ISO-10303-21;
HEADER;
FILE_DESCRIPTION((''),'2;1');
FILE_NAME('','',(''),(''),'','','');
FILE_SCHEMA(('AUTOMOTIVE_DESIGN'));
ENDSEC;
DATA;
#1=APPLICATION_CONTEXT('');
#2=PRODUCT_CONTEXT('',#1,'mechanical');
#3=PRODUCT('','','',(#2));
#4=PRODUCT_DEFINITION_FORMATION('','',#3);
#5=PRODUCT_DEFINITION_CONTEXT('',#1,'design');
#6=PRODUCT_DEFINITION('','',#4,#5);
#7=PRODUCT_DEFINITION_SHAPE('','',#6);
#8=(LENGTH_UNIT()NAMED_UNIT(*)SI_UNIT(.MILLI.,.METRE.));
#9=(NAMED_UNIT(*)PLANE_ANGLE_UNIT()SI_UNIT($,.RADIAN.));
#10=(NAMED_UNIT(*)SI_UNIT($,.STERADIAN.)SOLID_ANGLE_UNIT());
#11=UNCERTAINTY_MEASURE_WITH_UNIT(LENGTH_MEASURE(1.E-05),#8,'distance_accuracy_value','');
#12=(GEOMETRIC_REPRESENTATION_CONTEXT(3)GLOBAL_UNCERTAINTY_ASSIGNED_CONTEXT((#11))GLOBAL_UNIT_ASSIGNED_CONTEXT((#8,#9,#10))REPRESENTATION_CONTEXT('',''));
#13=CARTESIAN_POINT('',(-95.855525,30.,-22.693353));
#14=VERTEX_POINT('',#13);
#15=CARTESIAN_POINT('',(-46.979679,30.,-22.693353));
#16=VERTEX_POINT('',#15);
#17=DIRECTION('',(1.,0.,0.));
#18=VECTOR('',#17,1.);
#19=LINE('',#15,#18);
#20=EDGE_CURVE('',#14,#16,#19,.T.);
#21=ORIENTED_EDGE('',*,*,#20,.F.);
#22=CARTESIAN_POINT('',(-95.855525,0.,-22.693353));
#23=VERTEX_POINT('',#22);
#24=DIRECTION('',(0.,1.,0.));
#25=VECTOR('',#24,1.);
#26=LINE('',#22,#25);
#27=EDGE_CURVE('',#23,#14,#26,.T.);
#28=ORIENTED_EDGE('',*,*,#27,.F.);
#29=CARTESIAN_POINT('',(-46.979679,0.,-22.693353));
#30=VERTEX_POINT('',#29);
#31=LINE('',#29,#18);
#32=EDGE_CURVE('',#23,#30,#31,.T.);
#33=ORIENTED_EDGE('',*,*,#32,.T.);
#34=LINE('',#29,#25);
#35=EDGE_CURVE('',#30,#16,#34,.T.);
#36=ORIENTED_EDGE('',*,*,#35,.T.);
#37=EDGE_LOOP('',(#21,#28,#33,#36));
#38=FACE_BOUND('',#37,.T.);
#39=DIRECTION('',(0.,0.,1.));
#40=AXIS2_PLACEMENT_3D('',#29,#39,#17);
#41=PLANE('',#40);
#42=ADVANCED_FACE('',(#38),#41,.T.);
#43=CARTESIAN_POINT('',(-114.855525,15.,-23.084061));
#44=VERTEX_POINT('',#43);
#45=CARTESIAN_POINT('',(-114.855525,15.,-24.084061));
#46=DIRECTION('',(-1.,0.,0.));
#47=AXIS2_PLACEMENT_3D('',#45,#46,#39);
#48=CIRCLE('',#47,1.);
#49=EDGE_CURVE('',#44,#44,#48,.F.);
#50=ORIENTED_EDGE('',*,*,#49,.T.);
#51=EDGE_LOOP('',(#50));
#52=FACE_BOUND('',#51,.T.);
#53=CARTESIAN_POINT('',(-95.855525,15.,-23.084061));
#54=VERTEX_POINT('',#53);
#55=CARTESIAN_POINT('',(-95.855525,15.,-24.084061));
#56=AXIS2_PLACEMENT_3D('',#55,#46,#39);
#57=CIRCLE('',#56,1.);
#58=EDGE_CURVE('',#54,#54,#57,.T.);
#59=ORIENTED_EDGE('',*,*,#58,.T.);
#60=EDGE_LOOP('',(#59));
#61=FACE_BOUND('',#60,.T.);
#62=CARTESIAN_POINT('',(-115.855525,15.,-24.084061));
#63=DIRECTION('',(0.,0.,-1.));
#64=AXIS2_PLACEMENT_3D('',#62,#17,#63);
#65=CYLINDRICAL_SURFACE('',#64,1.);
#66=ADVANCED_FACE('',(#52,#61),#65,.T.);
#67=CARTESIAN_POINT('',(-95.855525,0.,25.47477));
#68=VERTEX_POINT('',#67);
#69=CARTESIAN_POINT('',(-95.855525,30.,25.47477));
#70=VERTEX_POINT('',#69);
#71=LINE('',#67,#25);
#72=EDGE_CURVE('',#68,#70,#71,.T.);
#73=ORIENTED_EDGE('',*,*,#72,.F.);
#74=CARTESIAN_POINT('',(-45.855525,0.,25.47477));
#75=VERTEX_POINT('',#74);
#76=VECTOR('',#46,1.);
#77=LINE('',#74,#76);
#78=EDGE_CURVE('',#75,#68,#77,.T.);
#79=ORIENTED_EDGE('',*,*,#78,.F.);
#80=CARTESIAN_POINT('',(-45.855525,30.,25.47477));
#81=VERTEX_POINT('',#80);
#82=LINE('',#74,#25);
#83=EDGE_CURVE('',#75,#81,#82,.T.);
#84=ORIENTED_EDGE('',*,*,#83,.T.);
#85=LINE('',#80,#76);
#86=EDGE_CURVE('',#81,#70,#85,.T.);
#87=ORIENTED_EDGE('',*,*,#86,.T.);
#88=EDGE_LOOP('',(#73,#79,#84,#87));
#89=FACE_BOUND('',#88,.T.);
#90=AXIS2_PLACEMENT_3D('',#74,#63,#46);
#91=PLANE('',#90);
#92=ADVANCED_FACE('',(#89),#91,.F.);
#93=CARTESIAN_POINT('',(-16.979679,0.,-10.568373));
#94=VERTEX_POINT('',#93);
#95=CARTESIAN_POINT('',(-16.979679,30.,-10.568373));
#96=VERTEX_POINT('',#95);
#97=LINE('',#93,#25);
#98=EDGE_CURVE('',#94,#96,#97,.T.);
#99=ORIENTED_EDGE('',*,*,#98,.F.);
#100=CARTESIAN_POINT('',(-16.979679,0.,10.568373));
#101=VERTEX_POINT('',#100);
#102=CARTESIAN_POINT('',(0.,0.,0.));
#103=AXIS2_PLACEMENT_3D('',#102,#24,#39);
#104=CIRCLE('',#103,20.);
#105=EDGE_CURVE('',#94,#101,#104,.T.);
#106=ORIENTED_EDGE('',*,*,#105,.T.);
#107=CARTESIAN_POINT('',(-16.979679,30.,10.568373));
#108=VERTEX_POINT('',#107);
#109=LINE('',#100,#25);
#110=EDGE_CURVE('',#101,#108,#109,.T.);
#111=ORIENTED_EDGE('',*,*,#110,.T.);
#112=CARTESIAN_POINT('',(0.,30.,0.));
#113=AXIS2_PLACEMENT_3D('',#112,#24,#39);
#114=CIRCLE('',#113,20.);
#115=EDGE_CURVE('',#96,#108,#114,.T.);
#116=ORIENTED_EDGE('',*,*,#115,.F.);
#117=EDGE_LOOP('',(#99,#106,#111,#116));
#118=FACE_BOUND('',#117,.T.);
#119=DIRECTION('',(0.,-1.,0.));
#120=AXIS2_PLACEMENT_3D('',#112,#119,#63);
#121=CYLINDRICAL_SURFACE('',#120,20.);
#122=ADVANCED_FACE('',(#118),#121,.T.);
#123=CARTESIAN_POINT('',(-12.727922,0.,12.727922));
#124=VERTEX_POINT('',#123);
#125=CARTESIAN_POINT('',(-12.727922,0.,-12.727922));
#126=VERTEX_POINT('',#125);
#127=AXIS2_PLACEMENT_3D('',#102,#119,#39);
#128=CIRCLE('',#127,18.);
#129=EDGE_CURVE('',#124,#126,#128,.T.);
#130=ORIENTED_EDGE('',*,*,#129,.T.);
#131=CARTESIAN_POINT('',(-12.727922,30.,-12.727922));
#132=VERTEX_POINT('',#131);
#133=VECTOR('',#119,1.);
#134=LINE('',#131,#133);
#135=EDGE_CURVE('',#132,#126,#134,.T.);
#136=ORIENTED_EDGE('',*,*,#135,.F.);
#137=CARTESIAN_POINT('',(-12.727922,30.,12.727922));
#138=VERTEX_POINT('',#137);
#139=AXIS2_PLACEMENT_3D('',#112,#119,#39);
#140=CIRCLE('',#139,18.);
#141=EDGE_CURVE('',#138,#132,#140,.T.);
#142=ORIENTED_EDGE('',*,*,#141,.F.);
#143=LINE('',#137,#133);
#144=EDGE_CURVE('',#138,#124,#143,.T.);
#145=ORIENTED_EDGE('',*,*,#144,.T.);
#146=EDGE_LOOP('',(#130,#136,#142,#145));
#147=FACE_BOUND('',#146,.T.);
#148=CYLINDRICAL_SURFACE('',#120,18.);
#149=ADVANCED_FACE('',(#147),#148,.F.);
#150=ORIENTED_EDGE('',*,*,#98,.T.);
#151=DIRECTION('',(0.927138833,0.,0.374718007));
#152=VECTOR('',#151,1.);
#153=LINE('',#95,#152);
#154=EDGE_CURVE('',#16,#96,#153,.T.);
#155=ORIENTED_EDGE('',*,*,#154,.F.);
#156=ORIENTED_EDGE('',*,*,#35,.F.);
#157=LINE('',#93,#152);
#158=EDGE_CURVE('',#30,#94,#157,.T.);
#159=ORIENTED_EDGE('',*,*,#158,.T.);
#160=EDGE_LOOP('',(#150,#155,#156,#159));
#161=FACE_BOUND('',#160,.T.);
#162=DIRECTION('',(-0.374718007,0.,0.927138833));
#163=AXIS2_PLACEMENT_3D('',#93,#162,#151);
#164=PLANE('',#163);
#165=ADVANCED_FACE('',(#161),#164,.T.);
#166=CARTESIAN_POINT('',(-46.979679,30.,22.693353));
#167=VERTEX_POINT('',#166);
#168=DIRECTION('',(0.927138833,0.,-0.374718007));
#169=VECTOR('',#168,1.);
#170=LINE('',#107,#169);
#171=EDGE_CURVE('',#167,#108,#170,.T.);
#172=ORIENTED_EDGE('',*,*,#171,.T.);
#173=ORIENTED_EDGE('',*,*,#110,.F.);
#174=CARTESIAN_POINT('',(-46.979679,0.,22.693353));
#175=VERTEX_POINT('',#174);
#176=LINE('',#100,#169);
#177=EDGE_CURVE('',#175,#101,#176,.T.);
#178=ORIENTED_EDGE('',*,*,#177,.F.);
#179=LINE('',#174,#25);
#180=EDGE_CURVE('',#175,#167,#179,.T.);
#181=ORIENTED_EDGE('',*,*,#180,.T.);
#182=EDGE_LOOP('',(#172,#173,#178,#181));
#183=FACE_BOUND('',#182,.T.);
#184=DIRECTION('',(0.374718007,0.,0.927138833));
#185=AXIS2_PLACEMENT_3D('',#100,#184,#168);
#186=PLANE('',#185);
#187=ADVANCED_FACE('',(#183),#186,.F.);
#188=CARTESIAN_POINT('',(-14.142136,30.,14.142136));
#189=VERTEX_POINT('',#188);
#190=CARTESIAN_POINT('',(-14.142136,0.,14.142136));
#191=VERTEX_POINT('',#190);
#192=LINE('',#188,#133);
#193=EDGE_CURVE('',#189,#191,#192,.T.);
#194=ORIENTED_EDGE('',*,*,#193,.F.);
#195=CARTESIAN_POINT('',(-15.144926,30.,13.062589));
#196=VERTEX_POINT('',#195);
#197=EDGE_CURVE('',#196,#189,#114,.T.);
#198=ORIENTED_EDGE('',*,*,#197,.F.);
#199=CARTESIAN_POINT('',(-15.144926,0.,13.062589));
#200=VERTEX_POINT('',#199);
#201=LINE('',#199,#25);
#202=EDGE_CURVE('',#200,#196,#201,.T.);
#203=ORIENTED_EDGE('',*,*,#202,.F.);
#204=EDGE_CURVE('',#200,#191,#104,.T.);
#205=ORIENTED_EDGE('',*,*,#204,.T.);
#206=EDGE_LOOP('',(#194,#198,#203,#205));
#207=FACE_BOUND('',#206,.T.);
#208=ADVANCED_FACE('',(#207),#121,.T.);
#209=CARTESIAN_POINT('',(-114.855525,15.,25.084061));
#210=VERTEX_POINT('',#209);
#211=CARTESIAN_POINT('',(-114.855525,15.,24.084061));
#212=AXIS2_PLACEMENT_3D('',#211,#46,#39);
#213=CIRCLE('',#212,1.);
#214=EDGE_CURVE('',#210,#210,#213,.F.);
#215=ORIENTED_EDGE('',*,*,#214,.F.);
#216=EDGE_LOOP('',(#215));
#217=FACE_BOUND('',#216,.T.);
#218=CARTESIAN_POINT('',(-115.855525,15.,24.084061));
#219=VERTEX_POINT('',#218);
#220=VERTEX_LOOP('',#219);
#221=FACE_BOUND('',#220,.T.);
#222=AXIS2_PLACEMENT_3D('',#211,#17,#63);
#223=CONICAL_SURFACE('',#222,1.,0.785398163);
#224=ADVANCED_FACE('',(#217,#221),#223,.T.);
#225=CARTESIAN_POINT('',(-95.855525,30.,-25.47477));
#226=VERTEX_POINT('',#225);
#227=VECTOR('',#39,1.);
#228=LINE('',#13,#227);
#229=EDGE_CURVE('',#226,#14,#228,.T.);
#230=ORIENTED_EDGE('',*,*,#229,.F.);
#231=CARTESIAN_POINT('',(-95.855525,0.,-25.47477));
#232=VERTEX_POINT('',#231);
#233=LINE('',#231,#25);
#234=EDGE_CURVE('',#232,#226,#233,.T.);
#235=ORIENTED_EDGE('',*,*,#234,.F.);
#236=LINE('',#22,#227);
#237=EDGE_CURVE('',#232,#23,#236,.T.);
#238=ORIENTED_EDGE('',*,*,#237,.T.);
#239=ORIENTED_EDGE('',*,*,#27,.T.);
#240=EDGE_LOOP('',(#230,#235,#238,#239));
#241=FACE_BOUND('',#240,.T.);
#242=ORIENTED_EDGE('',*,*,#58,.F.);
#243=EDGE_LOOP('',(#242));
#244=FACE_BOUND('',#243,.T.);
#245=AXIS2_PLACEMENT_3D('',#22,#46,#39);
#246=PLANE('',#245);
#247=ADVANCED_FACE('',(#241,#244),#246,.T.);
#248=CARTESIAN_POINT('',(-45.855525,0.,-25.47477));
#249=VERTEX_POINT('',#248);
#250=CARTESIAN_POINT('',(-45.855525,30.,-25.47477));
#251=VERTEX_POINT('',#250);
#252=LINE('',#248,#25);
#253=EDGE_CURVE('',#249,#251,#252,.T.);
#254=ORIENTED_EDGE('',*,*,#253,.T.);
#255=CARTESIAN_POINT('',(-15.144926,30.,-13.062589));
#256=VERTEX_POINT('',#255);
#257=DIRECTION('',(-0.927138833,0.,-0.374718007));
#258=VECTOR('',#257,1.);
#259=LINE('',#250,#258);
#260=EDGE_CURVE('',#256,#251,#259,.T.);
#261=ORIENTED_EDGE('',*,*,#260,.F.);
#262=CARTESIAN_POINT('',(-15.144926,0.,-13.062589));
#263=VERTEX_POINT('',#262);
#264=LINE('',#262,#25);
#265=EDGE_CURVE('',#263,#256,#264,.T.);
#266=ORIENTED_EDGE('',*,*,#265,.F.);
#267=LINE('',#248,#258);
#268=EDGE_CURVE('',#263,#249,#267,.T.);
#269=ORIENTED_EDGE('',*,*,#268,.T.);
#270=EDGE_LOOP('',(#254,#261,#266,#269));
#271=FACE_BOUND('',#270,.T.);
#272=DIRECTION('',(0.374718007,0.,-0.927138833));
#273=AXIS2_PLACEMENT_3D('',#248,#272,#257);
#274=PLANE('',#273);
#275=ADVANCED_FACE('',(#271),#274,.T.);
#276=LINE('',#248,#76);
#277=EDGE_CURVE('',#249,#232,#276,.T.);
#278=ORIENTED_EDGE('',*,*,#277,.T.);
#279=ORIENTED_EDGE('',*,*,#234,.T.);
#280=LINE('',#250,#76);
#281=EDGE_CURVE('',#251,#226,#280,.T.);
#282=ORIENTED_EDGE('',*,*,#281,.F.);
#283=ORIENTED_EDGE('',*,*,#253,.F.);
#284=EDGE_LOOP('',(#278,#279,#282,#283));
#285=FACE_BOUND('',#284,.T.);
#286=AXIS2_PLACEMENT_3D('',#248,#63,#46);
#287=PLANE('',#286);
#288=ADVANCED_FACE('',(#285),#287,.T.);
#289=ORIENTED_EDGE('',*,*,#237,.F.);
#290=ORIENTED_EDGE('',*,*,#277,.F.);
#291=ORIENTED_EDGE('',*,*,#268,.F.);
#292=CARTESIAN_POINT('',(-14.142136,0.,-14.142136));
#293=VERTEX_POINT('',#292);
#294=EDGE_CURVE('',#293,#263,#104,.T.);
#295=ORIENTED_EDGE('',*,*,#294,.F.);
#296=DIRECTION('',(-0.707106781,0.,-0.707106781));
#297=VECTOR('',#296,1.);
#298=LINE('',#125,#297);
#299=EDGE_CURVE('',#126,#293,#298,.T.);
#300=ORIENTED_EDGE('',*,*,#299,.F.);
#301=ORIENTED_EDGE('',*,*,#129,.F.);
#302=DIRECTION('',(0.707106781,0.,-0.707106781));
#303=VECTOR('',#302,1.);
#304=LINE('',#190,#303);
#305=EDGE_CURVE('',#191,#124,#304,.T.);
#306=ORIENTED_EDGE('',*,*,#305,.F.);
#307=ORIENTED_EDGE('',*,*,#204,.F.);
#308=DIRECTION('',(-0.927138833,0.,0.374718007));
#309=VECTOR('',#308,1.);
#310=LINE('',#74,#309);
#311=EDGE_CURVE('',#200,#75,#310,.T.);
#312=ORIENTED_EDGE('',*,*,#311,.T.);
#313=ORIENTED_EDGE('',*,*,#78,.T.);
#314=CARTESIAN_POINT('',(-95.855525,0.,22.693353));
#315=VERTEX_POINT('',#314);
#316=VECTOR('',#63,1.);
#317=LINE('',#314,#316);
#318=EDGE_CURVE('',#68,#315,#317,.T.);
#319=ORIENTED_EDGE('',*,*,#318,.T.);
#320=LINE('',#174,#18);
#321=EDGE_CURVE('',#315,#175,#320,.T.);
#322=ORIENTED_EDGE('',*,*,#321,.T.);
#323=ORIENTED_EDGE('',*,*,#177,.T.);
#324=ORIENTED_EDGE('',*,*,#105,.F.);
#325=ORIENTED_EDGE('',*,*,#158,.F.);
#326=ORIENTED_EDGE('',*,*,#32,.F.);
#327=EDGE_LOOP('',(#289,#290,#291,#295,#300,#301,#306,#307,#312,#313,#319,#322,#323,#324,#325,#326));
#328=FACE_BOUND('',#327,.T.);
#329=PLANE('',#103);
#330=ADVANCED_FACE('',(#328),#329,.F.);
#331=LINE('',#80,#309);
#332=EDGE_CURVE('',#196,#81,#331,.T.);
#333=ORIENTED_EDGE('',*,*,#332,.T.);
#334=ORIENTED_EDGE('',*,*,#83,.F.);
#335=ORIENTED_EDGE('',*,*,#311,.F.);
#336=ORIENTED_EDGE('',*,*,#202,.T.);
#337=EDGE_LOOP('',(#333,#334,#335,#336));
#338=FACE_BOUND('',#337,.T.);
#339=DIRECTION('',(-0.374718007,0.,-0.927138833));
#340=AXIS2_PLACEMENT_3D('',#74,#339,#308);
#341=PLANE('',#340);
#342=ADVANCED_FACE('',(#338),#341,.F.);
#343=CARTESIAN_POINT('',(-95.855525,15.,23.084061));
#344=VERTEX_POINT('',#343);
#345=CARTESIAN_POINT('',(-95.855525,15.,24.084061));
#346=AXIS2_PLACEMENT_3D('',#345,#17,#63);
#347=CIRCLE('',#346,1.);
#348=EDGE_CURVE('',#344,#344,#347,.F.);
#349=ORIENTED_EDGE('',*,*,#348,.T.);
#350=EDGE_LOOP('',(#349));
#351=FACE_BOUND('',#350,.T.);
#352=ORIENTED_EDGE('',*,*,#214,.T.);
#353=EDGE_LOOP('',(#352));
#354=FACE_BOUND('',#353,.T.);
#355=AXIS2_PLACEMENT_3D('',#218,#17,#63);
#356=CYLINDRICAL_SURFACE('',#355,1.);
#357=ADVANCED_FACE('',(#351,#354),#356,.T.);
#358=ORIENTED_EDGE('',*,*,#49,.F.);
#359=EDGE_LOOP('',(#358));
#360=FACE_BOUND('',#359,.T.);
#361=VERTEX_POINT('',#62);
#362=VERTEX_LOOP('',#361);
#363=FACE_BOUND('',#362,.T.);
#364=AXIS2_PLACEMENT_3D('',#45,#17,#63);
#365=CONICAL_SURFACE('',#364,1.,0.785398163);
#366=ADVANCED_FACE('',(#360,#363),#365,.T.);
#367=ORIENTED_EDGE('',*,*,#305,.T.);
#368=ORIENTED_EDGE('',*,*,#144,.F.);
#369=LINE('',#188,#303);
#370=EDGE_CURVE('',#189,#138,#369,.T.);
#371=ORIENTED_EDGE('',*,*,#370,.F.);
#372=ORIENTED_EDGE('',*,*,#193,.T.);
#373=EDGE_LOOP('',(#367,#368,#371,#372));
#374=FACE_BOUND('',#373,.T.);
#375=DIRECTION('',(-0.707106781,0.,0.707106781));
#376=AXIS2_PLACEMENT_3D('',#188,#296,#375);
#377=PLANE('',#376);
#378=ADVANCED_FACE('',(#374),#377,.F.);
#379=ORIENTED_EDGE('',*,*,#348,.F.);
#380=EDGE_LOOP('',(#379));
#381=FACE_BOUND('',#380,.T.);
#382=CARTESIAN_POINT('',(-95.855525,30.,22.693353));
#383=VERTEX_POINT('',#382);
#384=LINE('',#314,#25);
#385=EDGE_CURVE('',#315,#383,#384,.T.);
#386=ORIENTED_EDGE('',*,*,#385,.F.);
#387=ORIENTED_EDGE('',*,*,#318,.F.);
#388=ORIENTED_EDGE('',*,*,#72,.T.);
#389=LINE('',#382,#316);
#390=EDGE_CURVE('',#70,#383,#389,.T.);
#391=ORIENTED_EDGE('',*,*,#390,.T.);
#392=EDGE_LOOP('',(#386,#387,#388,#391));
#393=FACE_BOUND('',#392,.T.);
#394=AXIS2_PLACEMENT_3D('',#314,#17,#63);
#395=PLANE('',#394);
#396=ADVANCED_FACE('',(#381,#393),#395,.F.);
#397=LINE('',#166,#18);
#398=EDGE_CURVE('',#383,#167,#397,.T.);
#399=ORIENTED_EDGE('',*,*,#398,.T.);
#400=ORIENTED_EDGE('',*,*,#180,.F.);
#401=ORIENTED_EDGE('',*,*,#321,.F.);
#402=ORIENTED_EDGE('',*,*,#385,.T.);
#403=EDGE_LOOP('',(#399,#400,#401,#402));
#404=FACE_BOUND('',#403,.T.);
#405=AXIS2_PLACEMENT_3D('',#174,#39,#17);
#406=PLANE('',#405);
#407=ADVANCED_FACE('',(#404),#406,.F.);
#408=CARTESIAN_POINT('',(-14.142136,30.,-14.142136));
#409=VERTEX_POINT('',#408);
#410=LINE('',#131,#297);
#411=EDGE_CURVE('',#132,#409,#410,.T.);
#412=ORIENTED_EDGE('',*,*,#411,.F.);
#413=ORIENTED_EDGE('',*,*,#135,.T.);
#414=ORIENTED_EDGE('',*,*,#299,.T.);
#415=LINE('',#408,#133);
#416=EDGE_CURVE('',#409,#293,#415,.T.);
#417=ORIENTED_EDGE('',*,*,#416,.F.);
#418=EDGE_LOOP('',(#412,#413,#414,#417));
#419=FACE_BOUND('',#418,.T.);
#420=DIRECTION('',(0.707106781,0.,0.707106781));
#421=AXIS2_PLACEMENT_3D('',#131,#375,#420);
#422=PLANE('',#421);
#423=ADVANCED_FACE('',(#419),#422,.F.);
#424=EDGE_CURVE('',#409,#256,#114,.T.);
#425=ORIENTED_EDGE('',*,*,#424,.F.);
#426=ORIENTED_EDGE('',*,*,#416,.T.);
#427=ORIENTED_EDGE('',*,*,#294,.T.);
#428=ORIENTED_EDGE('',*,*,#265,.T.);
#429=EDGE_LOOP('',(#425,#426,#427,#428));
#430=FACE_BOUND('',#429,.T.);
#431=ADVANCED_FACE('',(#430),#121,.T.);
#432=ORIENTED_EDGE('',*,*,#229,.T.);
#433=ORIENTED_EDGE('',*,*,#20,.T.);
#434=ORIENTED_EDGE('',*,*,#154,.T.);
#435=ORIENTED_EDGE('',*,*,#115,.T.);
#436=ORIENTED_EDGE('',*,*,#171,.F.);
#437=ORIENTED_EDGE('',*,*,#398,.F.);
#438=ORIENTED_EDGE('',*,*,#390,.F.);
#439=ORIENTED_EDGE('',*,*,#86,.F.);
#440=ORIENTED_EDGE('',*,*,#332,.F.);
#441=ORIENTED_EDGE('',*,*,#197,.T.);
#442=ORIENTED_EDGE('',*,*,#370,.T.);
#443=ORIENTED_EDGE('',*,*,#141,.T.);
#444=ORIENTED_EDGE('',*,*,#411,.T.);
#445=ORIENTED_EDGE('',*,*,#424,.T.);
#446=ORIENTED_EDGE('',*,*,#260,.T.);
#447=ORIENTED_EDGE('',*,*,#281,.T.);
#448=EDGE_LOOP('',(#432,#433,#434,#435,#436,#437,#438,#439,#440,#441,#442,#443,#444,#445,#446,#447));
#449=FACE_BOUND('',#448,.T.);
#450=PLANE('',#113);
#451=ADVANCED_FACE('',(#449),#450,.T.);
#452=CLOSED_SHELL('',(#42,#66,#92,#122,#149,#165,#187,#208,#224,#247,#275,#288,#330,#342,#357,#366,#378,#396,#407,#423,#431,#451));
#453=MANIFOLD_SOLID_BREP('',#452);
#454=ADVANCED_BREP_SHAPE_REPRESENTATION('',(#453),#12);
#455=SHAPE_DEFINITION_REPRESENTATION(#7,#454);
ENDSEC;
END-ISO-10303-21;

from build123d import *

# Parameters (mm, degrees)
BOSS_EXTRUDE2_DEPTH      = 30
BOSS_EXTRUDE3_START      = -30
BOSS_EXTRUDE3_DEPTH      = 30
BOSS_EXTRUDE4_DEPTH      = 30
SKETCH15_R               = 1
BOSS_EXTRUDE5_DEPTH      = 20
CHAMFER1_SIZE            = 1
CHAMFER1_OF_MIRROR2_SIZE = 1


with BuildPart() as part:
    # Sketch5 → Boss-Extrude2 (new body)
    with BuildSketch(Plane(origin=(0, 0, 0), x_dir=(1, 0, 0), z_dir=(0, 1, 0))):
        with BuildLine():
            Line((-12.727922061, 12.727922061), (-14.142135624, 14.142135624))
            ThreePointArc((-14.142135624, 14.142135624), (-20, 0), (-14.142135624, -14.142135624))
            Line((-14.142135624, -14.142135624), (-12.727922061, -12.727922061))
            ThreePointArc((-12.727922061, -12.727922061), (-18, 0), (-12.727922061, 12.727922061))
        make_face()
    extrude(amount=BOSS_EXTRUDE2_DEPTH)

    # Sketch12 → Boss-Extrude3 (add)
    with BuildSketch(Plane(origin=(0, 30, 0), x_dir=(1, 0, 0), z_dir=(0, 1, 0)).offset(BOSS_EXTRUDE3_START)):
        with BuildLine():
            Line((-16.979679072, 10.568372562), (-46.979679072, 22.693353002))
            Line((-46.979679072, 22.693353002), (-45.855525051, 25.474769501))
            Line((-45.855525051, 25.474769501), (-15.144925587, 13.062588907))
            ThreePointArc((-15.144925587, 13.062588907), (-14.653475488, 13.611600058), (-14.142135624, 14.142135624))
            Line((-14.142135624, 14.142135624), (-12.727922061, 12.727922061))
            ThreePointArc((-12.727922061, 12.727922061), (-18, 0), (-12.727922061, -12.727922061))
            Line((-12.727922061, -12.727922061), (-14.142135624, -14.142135624))
            ThreePointArc((-14.142135624, -14.142135624), (-19.869427299, -2.281635118), (-16.979679072, 10.568372562))
        make_face()
    boss_extrude3 = extrude(amount=BOSS_EXTRUDE3_DEPTH)

    # Sketch14 → Boss-Extrude4 (add)
    with BuildSketch(Plane(origin=(0, 30, 0), x_dir=(1, 0, 0), z_dir=(0, 1, 0))):
        Polygon((-45.855525051, 25.474769501), (-95.855525051, 25.474769501), (-95.855525051, 22.693353002), (-46.979679072, 22.693353002), align=None)
    boss_extrude4 = extrude(amount=-BOSS_EXTRUDE4_DEPTH)

    # Mirror1: Boss-Extrude3, Boss-Extrude4 across plane
    add(boss_extrude3.mirror(Plane(origin=(0, 0, 0), x_dir=(1, 0, 0), z_dir=(0, 0, -1))))
    add(boss_extrude4.mirror(Plane(origin=(0, 0, 0), x_dir=(1, 0, 0), z_dir=(0, 0, -1))))

    # Sketch15 → Boss-Extrude5 (add)
    with BuildSketch(Plane.ZY.offset(95.855525051)):
        with Locations(Location((24.084061252, 15, 0), (0, 0, 180))):
            Circle(SKETCH15_R)
    boss_extrude5 = extrude(amount=BOSS_EXTRUDE5_DEPTH)

    # Chamfer1
    chamfer1_edges = [part.edges().sort_by_distance(p)[0] for p in [
        (-115.855525051, 15, 25.084061252),
    ]]
    chamfer(chamfer1_edges, length=CHAMFER1_SIZE)

    # Mirror2: Boss-Extrude5 across plane
    add(boss_extrude5.mirror(Plane(origin=(0, 0, 0), x_dir=(1, 0, 0), z_dir=(0, 0, -1))))

    # Chamfer1 of Mirror2
    chamfer1_of_mirror2_edges = [part.edges().sort_by_distance(p)[0] for p in [
        (-115.855525051, 15, -25.084061252),
    ]]
    chamfer(chamfer1_of_mirror2_edges, length=CHAMFER1_OF_MIRROR2_SIZE)


solid = part.part
